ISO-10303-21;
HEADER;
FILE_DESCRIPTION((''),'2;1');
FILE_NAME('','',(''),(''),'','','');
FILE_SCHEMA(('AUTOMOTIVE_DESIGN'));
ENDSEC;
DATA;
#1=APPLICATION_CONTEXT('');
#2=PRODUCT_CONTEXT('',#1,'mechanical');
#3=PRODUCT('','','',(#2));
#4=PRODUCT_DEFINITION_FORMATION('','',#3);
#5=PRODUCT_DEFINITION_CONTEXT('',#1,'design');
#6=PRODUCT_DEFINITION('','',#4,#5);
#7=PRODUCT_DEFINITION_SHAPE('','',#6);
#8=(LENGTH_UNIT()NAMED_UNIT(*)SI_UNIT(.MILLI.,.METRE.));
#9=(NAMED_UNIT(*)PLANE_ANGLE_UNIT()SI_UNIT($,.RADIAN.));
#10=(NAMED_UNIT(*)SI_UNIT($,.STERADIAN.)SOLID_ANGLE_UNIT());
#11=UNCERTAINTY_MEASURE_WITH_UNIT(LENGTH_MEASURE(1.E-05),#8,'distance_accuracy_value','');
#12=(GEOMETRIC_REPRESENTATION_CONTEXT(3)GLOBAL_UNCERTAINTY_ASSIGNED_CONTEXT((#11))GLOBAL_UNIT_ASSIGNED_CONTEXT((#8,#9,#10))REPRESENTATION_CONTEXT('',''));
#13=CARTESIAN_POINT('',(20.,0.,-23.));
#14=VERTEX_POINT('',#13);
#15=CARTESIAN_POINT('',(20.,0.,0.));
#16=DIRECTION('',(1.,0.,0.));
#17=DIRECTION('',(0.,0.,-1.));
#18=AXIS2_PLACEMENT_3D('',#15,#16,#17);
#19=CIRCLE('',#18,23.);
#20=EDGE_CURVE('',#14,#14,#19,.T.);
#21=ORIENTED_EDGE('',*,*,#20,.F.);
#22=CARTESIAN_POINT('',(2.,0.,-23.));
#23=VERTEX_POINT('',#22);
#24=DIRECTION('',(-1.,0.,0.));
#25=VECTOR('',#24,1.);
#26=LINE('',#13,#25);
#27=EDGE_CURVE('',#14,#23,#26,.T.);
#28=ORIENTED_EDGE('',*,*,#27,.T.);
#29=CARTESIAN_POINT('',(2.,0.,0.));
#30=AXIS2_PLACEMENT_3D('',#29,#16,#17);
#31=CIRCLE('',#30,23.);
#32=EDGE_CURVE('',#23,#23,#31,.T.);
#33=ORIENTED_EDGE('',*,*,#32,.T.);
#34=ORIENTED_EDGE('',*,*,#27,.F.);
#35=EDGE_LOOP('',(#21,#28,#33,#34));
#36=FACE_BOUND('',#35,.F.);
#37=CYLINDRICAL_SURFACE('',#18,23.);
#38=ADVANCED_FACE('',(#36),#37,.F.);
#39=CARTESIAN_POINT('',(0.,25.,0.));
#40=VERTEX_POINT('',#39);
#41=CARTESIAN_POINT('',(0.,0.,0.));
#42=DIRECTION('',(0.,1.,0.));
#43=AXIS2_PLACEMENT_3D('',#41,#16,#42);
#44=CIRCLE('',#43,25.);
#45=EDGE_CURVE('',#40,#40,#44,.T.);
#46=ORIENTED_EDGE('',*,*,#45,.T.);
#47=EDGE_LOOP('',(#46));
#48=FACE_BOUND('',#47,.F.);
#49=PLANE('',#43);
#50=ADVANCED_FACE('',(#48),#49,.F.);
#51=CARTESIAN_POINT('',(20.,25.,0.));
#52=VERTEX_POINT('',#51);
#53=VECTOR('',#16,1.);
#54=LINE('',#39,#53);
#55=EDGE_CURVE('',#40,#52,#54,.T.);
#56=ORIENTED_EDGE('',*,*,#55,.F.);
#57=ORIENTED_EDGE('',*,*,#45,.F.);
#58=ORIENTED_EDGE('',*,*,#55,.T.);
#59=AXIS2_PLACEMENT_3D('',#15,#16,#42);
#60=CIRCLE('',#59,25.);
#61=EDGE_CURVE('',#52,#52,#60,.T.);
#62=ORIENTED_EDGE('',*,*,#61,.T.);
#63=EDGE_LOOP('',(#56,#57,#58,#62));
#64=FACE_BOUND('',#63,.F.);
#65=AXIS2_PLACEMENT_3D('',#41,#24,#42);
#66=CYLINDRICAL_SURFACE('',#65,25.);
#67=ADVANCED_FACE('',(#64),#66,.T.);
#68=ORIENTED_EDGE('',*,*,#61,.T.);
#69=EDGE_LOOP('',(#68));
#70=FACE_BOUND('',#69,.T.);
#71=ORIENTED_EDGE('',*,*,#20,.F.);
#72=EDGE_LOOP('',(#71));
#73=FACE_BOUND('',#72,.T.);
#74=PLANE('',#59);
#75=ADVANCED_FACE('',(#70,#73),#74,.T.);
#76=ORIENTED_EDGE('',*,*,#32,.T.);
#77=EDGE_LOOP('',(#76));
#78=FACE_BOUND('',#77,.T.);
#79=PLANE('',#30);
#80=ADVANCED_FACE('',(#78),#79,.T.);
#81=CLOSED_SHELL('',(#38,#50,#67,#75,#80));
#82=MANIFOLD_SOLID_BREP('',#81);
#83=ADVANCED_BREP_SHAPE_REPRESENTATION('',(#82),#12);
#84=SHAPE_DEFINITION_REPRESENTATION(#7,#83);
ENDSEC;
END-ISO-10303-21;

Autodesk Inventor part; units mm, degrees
ref_plane "YZ Plane" through (0, 0, 0) normal (1, 0, 0) x (0, 1, 0)
ref_plane "XZ Plane" through (0, 0, 0) normal (0, 1, 0) x (-1, 0, 0)
ref_plane "XY Plane" through (0, 0, 0) normal (0, 0, 1) x (1, 0, 0)
sketch "Sketch2" plane through (0, 0, 0) normal (1, 0, 0) x (0, 1, 0)
  circle A0 centre (0, 0) radius 25
  dimension "d0" = 50
extrude "Extrusion1" add sketch "Sketch2" along normal blind 20
sketch "Sketch5" plane through (20, 0, 0) normal (1, 0, 0) x (0, 0, -1)
  circle A0 centre (0, 0) radius 25 projected
  circle A1 centre (0, 0) radius 23
  dimension "d10" = 46
extrude "Extrusion3" cut sketch "Sketch5" against normal blind 18 contours A1
properties part number "project"
